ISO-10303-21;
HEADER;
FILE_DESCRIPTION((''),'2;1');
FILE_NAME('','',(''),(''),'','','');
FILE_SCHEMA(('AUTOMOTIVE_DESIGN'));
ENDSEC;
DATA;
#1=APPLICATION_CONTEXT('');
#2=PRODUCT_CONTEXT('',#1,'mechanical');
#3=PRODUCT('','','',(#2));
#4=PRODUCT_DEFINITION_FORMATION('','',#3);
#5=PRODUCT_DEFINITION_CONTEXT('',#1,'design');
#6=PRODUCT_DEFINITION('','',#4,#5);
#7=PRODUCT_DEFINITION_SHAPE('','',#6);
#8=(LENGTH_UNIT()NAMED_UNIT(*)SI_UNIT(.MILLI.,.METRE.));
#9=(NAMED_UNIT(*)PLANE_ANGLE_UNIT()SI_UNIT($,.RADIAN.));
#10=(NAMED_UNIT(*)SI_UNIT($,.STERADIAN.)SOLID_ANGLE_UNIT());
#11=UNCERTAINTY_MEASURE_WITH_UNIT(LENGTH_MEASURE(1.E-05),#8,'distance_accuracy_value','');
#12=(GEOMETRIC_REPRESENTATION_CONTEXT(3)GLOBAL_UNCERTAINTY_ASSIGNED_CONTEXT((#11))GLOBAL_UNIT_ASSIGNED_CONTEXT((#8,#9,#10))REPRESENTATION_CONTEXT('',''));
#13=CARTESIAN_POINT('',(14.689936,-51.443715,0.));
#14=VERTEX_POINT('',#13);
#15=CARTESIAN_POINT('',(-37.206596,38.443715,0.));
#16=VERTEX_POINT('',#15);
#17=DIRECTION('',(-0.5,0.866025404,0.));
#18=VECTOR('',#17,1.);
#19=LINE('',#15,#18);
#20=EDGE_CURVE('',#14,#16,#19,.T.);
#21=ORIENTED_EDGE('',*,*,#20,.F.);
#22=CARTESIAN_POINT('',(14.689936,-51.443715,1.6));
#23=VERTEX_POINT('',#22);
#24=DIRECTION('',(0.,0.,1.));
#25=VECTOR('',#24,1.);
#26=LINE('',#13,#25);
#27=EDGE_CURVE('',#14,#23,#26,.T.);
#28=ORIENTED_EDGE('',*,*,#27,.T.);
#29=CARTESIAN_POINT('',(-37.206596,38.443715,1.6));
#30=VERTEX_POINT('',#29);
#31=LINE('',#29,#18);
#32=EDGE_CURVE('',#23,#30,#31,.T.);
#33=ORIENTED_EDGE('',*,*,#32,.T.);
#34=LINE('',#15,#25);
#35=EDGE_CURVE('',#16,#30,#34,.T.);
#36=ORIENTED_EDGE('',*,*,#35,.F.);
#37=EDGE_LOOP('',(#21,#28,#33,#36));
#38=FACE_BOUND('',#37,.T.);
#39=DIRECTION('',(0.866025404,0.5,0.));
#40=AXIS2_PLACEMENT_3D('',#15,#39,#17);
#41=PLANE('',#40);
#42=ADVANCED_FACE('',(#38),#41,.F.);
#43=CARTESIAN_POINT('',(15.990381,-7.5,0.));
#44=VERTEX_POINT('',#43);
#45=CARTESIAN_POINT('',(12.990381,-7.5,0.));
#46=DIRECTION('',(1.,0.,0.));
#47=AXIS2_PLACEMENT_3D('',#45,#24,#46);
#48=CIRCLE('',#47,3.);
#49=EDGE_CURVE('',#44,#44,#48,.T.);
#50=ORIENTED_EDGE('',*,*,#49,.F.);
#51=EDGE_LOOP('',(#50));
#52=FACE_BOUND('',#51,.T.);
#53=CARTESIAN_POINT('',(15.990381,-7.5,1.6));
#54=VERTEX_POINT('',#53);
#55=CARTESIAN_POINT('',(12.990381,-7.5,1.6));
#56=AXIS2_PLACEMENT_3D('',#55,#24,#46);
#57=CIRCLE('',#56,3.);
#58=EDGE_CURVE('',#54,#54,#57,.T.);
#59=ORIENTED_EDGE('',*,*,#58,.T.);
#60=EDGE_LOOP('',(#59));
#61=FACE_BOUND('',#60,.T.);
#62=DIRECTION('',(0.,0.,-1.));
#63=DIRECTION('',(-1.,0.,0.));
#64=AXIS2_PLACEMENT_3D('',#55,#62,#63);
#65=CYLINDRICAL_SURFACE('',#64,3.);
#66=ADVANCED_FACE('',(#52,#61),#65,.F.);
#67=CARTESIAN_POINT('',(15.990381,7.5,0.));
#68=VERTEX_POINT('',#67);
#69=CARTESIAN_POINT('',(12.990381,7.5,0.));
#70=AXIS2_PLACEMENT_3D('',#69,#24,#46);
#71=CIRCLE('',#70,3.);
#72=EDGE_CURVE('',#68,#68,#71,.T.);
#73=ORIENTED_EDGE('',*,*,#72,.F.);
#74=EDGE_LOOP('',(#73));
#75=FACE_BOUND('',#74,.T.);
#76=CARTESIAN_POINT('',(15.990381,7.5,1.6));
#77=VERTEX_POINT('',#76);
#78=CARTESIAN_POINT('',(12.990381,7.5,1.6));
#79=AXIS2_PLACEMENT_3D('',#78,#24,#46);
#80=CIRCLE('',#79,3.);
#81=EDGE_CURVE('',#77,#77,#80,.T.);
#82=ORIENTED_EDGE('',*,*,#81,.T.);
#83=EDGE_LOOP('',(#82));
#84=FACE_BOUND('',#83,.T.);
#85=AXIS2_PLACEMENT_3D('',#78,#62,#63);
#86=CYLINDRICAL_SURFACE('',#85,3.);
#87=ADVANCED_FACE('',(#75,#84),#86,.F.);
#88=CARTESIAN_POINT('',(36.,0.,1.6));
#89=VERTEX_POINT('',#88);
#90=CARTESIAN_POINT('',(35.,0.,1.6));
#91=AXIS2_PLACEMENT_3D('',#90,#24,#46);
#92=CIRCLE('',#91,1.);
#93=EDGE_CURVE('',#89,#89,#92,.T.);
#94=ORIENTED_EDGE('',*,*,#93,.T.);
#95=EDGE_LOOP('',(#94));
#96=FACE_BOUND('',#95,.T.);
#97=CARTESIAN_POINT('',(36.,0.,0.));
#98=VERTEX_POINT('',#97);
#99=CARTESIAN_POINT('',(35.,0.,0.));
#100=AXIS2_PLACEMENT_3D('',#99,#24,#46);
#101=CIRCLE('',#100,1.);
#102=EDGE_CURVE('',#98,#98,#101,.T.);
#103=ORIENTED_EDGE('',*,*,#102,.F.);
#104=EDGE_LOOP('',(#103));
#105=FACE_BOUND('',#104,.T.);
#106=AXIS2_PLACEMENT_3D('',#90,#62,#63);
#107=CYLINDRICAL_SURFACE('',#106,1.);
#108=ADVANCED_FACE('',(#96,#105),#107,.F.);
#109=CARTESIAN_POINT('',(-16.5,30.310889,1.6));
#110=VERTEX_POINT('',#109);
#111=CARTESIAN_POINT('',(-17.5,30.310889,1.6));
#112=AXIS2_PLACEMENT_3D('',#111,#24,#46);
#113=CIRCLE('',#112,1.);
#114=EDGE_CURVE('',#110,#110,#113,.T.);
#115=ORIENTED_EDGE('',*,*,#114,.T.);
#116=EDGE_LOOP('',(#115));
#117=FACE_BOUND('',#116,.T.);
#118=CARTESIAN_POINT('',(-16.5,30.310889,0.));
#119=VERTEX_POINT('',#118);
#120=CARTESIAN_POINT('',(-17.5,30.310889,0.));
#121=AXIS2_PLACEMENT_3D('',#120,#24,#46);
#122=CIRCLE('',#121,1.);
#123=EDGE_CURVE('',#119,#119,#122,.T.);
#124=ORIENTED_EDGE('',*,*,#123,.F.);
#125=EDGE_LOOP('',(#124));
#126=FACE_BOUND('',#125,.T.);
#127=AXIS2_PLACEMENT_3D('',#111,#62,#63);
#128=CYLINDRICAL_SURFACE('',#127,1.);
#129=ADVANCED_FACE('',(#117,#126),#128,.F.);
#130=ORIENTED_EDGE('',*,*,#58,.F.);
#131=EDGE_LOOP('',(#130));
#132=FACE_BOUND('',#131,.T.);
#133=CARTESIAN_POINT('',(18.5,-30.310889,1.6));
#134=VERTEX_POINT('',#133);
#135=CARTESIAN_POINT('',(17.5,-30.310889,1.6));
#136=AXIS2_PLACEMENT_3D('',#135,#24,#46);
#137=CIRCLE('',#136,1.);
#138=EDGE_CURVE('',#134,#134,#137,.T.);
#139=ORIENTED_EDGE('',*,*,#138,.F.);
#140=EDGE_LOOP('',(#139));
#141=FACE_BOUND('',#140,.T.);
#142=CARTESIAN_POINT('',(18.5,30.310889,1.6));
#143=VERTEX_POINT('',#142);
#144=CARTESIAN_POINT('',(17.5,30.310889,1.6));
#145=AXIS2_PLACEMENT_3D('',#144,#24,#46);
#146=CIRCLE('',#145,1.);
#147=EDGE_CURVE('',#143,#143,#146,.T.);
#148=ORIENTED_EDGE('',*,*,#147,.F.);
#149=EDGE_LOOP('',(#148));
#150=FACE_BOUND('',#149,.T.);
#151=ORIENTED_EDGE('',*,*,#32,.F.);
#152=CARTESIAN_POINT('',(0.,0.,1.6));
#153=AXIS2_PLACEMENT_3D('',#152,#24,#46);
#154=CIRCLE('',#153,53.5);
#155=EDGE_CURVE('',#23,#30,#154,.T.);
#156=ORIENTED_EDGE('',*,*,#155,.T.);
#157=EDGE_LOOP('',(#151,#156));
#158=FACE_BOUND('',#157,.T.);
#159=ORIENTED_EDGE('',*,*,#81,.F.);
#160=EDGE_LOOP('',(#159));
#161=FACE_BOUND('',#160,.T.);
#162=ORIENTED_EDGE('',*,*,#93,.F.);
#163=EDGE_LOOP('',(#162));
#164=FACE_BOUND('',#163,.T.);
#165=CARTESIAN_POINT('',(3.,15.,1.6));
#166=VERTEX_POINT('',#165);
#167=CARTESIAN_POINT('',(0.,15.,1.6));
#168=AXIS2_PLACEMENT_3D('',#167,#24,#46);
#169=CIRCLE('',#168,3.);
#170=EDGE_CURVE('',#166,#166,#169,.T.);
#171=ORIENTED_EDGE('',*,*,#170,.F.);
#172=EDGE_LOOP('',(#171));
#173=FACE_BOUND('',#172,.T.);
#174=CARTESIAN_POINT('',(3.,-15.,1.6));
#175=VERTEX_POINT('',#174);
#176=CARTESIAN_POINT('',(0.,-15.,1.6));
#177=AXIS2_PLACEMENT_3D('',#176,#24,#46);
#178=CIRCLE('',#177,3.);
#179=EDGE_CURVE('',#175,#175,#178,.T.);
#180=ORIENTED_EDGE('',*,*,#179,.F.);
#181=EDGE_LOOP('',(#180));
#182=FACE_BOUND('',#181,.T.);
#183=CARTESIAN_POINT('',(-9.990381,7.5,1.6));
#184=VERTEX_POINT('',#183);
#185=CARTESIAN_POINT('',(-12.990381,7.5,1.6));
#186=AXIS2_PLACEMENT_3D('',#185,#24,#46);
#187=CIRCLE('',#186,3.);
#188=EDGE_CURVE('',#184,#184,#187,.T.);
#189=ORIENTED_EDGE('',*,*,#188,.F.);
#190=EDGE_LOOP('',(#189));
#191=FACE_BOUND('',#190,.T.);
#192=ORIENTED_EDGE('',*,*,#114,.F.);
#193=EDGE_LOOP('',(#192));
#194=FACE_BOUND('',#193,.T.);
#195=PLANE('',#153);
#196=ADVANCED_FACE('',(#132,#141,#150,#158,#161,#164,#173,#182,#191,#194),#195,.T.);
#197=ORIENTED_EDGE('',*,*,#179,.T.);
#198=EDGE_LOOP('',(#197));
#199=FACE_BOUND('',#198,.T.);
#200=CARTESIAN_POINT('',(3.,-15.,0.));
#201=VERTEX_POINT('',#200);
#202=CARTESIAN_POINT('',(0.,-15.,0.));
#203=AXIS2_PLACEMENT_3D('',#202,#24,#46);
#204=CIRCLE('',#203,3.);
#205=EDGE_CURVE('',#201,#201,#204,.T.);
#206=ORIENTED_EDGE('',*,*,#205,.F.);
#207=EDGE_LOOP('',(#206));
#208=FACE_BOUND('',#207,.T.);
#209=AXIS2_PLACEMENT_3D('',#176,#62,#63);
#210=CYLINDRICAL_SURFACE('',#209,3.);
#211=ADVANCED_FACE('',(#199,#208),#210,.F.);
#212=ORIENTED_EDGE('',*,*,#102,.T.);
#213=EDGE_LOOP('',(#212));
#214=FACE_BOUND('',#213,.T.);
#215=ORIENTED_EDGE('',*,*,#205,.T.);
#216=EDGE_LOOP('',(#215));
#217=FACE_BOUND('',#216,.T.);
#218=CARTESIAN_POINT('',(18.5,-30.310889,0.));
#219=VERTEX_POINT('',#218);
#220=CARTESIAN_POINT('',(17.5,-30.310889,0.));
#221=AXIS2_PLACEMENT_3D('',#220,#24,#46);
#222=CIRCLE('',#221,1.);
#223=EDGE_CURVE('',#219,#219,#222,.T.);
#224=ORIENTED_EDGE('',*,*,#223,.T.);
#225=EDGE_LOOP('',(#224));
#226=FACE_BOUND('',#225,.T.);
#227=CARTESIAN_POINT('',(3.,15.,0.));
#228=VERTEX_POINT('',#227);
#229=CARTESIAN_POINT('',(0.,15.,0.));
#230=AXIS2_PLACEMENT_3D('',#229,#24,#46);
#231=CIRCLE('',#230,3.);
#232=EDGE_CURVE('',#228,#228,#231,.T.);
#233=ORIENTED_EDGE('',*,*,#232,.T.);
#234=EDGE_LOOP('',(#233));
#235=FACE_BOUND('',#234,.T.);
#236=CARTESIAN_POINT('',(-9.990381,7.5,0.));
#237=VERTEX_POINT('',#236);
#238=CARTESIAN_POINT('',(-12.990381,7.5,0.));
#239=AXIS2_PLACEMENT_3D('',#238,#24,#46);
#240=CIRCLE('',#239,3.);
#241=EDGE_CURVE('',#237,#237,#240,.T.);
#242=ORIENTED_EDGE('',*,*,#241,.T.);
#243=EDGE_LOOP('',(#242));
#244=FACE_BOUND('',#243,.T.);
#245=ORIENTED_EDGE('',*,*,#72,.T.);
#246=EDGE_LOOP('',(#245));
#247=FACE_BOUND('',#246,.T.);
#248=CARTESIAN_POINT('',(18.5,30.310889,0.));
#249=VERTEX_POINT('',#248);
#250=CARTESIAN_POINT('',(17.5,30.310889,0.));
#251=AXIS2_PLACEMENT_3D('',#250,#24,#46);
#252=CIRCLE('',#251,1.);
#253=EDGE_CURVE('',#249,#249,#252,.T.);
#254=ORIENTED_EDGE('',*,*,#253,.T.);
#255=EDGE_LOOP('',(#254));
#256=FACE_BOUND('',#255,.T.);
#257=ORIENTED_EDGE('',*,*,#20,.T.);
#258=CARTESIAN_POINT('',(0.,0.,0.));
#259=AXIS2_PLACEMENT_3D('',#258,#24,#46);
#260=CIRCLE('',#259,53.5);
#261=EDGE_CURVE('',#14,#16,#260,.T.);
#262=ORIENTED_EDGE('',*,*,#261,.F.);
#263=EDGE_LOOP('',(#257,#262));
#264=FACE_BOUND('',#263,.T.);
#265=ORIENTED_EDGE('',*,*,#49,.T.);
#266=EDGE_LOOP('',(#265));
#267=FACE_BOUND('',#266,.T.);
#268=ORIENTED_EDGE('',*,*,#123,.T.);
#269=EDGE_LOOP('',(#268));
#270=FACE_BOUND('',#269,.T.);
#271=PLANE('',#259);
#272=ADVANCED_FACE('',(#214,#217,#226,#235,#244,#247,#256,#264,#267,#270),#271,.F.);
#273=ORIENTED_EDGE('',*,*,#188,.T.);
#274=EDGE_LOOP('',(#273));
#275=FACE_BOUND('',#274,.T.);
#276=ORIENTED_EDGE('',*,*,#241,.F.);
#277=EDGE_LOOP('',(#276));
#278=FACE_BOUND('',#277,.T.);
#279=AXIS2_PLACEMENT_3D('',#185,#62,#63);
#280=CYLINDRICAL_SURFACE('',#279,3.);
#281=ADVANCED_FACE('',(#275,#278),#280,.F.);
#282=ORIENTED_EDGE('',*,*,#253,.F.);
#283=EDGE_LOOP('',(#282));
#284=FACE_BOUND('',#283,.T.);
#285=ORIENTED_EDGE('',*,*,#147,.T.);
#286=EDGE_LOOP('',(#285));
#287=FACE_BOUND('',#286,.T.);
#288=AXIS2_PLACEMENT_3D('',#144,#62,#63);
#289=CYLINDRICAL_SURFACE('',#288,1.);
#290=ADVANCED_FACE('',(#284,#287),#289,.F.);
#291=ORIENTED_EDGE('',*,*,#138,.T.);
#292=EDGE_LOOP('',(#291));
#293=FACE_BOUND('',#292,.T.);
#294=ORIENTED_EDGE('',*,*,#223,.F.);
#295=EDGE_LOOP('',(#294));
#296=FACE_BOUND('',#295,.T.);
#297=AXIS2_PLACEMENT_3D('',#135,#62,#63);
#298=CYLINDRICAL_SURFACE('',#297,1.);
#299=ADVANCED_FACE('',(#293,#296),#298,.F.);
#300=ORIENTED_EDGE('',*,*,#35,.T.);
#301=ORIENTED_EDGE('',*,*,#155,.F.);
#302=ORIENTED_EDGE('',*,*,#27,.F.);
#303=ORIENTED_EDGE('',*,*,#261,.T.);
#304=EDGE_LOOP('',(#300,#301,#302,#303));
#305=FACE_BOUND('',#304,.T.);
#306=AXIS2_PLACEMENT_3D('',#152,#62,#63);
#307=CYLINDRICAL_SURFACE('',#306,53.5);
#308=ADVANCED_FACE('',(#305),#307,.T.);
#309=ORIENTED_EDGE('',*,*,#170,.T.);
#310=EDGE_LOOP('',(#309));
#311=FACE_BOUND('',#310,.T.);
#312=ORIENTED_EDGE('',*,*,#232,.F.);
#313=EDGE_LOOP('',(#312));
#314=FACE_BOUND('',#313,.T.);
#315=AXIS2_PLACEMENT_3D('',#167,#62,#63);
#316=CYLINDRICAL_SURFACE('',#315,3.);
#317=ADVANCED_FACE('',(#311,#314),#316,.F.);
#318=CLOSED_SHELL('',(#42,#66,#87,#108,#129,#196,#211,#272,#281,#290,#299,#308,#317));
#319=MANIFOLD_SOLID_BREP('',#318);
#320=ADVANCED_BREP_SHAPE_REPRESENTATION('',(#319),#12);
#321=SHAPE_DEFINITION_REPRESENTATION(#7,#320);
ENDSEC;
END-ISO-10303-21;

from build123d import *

# Parameters (mm, degrees)
ESQUISSE1_R             = 53.5
ESQUISSE1_R_2           = 1
ESQUISSE1_R_3           = 3
BOSS_EXTRU_1_DEPTH      = 1.6
ENL_V_MAT_EXTRU_1_DEPTH = 76.677341391


with BuildPart() as part:
    # Esquisse1 → Boss.-Extru.1 (new body)
    with BuildSketch(Plane.XY):
        Circle(ESQUISSE1_R)
        with Locations((35, 0)):
            Circle(ESQUISSE1_R_2, mode=Mode.SUBTRACT)
        with Locations((17.5, -30.310889132)):
            Circle(ESQUISSE1_R_2, mode=Mode.SUBTRACT)
        with Locations((-17.5, -30.310889132)):
            Circle(ESQUISSE1_R_2, mode=Mode.SUBTRACT)
        with Locations((-35, 0)):
            Circle(ESQUISSE1_R_2, mode=Mode.SUBTRACT)
        with Locations((-17.5, 30.310889132)):
            Circle(ESQUISSE1_R_2, mode=Mode.SUBTRACT)
        with Locations((17.5, 30.310889132)):
            Circle(ESQUISSE1_R_2, mode=Mode.SUBTRACT)
        with Locations((0, -15)):
            Circle(ESQUISSE1_R_3, mode=Mode.SUBTRACT)
        with Locations((12.990381057, -7.5)):
            Circle(ESQUISSE1_R_3, mode=Mode.SUBTRACT)
        with Locations((12.990381057, 7.5)):
            Circle(ESQUISSE1_R_3, mode=Mode.SUBTRACT)
        with Locations((0, 15)):
            Circle(ESQUISSE1_R_3, mode=Mode.SUBTRACT)
        with Locations((-12.990381057, 7.5)):
            Circle(ESQUISSE1_R_3, mode=Mode.SUBTRACT)
    extrude(amount=BOSS_EXTRU_1_DEPTH)

    # Esquisse2 → Enlèv. mat.-Extru.1 (cut, through all)
    with BuildSketch(Plane.XY.offset(1.6)):
        with BuildLine():
            Line((-37.206596087, 38.4437148), (14.689935589, -51.4437148))
            ThreePointArc((14.689935589, -51.4437148), (-46.332359102, -26.75), (-37.206596087, 38.4437148))
        make_face()
    extrude(amount=-ENL_V_MAT_EXTRU_1_DEPTH, mode=Mode.SUBTRACT)


solid = part.part
